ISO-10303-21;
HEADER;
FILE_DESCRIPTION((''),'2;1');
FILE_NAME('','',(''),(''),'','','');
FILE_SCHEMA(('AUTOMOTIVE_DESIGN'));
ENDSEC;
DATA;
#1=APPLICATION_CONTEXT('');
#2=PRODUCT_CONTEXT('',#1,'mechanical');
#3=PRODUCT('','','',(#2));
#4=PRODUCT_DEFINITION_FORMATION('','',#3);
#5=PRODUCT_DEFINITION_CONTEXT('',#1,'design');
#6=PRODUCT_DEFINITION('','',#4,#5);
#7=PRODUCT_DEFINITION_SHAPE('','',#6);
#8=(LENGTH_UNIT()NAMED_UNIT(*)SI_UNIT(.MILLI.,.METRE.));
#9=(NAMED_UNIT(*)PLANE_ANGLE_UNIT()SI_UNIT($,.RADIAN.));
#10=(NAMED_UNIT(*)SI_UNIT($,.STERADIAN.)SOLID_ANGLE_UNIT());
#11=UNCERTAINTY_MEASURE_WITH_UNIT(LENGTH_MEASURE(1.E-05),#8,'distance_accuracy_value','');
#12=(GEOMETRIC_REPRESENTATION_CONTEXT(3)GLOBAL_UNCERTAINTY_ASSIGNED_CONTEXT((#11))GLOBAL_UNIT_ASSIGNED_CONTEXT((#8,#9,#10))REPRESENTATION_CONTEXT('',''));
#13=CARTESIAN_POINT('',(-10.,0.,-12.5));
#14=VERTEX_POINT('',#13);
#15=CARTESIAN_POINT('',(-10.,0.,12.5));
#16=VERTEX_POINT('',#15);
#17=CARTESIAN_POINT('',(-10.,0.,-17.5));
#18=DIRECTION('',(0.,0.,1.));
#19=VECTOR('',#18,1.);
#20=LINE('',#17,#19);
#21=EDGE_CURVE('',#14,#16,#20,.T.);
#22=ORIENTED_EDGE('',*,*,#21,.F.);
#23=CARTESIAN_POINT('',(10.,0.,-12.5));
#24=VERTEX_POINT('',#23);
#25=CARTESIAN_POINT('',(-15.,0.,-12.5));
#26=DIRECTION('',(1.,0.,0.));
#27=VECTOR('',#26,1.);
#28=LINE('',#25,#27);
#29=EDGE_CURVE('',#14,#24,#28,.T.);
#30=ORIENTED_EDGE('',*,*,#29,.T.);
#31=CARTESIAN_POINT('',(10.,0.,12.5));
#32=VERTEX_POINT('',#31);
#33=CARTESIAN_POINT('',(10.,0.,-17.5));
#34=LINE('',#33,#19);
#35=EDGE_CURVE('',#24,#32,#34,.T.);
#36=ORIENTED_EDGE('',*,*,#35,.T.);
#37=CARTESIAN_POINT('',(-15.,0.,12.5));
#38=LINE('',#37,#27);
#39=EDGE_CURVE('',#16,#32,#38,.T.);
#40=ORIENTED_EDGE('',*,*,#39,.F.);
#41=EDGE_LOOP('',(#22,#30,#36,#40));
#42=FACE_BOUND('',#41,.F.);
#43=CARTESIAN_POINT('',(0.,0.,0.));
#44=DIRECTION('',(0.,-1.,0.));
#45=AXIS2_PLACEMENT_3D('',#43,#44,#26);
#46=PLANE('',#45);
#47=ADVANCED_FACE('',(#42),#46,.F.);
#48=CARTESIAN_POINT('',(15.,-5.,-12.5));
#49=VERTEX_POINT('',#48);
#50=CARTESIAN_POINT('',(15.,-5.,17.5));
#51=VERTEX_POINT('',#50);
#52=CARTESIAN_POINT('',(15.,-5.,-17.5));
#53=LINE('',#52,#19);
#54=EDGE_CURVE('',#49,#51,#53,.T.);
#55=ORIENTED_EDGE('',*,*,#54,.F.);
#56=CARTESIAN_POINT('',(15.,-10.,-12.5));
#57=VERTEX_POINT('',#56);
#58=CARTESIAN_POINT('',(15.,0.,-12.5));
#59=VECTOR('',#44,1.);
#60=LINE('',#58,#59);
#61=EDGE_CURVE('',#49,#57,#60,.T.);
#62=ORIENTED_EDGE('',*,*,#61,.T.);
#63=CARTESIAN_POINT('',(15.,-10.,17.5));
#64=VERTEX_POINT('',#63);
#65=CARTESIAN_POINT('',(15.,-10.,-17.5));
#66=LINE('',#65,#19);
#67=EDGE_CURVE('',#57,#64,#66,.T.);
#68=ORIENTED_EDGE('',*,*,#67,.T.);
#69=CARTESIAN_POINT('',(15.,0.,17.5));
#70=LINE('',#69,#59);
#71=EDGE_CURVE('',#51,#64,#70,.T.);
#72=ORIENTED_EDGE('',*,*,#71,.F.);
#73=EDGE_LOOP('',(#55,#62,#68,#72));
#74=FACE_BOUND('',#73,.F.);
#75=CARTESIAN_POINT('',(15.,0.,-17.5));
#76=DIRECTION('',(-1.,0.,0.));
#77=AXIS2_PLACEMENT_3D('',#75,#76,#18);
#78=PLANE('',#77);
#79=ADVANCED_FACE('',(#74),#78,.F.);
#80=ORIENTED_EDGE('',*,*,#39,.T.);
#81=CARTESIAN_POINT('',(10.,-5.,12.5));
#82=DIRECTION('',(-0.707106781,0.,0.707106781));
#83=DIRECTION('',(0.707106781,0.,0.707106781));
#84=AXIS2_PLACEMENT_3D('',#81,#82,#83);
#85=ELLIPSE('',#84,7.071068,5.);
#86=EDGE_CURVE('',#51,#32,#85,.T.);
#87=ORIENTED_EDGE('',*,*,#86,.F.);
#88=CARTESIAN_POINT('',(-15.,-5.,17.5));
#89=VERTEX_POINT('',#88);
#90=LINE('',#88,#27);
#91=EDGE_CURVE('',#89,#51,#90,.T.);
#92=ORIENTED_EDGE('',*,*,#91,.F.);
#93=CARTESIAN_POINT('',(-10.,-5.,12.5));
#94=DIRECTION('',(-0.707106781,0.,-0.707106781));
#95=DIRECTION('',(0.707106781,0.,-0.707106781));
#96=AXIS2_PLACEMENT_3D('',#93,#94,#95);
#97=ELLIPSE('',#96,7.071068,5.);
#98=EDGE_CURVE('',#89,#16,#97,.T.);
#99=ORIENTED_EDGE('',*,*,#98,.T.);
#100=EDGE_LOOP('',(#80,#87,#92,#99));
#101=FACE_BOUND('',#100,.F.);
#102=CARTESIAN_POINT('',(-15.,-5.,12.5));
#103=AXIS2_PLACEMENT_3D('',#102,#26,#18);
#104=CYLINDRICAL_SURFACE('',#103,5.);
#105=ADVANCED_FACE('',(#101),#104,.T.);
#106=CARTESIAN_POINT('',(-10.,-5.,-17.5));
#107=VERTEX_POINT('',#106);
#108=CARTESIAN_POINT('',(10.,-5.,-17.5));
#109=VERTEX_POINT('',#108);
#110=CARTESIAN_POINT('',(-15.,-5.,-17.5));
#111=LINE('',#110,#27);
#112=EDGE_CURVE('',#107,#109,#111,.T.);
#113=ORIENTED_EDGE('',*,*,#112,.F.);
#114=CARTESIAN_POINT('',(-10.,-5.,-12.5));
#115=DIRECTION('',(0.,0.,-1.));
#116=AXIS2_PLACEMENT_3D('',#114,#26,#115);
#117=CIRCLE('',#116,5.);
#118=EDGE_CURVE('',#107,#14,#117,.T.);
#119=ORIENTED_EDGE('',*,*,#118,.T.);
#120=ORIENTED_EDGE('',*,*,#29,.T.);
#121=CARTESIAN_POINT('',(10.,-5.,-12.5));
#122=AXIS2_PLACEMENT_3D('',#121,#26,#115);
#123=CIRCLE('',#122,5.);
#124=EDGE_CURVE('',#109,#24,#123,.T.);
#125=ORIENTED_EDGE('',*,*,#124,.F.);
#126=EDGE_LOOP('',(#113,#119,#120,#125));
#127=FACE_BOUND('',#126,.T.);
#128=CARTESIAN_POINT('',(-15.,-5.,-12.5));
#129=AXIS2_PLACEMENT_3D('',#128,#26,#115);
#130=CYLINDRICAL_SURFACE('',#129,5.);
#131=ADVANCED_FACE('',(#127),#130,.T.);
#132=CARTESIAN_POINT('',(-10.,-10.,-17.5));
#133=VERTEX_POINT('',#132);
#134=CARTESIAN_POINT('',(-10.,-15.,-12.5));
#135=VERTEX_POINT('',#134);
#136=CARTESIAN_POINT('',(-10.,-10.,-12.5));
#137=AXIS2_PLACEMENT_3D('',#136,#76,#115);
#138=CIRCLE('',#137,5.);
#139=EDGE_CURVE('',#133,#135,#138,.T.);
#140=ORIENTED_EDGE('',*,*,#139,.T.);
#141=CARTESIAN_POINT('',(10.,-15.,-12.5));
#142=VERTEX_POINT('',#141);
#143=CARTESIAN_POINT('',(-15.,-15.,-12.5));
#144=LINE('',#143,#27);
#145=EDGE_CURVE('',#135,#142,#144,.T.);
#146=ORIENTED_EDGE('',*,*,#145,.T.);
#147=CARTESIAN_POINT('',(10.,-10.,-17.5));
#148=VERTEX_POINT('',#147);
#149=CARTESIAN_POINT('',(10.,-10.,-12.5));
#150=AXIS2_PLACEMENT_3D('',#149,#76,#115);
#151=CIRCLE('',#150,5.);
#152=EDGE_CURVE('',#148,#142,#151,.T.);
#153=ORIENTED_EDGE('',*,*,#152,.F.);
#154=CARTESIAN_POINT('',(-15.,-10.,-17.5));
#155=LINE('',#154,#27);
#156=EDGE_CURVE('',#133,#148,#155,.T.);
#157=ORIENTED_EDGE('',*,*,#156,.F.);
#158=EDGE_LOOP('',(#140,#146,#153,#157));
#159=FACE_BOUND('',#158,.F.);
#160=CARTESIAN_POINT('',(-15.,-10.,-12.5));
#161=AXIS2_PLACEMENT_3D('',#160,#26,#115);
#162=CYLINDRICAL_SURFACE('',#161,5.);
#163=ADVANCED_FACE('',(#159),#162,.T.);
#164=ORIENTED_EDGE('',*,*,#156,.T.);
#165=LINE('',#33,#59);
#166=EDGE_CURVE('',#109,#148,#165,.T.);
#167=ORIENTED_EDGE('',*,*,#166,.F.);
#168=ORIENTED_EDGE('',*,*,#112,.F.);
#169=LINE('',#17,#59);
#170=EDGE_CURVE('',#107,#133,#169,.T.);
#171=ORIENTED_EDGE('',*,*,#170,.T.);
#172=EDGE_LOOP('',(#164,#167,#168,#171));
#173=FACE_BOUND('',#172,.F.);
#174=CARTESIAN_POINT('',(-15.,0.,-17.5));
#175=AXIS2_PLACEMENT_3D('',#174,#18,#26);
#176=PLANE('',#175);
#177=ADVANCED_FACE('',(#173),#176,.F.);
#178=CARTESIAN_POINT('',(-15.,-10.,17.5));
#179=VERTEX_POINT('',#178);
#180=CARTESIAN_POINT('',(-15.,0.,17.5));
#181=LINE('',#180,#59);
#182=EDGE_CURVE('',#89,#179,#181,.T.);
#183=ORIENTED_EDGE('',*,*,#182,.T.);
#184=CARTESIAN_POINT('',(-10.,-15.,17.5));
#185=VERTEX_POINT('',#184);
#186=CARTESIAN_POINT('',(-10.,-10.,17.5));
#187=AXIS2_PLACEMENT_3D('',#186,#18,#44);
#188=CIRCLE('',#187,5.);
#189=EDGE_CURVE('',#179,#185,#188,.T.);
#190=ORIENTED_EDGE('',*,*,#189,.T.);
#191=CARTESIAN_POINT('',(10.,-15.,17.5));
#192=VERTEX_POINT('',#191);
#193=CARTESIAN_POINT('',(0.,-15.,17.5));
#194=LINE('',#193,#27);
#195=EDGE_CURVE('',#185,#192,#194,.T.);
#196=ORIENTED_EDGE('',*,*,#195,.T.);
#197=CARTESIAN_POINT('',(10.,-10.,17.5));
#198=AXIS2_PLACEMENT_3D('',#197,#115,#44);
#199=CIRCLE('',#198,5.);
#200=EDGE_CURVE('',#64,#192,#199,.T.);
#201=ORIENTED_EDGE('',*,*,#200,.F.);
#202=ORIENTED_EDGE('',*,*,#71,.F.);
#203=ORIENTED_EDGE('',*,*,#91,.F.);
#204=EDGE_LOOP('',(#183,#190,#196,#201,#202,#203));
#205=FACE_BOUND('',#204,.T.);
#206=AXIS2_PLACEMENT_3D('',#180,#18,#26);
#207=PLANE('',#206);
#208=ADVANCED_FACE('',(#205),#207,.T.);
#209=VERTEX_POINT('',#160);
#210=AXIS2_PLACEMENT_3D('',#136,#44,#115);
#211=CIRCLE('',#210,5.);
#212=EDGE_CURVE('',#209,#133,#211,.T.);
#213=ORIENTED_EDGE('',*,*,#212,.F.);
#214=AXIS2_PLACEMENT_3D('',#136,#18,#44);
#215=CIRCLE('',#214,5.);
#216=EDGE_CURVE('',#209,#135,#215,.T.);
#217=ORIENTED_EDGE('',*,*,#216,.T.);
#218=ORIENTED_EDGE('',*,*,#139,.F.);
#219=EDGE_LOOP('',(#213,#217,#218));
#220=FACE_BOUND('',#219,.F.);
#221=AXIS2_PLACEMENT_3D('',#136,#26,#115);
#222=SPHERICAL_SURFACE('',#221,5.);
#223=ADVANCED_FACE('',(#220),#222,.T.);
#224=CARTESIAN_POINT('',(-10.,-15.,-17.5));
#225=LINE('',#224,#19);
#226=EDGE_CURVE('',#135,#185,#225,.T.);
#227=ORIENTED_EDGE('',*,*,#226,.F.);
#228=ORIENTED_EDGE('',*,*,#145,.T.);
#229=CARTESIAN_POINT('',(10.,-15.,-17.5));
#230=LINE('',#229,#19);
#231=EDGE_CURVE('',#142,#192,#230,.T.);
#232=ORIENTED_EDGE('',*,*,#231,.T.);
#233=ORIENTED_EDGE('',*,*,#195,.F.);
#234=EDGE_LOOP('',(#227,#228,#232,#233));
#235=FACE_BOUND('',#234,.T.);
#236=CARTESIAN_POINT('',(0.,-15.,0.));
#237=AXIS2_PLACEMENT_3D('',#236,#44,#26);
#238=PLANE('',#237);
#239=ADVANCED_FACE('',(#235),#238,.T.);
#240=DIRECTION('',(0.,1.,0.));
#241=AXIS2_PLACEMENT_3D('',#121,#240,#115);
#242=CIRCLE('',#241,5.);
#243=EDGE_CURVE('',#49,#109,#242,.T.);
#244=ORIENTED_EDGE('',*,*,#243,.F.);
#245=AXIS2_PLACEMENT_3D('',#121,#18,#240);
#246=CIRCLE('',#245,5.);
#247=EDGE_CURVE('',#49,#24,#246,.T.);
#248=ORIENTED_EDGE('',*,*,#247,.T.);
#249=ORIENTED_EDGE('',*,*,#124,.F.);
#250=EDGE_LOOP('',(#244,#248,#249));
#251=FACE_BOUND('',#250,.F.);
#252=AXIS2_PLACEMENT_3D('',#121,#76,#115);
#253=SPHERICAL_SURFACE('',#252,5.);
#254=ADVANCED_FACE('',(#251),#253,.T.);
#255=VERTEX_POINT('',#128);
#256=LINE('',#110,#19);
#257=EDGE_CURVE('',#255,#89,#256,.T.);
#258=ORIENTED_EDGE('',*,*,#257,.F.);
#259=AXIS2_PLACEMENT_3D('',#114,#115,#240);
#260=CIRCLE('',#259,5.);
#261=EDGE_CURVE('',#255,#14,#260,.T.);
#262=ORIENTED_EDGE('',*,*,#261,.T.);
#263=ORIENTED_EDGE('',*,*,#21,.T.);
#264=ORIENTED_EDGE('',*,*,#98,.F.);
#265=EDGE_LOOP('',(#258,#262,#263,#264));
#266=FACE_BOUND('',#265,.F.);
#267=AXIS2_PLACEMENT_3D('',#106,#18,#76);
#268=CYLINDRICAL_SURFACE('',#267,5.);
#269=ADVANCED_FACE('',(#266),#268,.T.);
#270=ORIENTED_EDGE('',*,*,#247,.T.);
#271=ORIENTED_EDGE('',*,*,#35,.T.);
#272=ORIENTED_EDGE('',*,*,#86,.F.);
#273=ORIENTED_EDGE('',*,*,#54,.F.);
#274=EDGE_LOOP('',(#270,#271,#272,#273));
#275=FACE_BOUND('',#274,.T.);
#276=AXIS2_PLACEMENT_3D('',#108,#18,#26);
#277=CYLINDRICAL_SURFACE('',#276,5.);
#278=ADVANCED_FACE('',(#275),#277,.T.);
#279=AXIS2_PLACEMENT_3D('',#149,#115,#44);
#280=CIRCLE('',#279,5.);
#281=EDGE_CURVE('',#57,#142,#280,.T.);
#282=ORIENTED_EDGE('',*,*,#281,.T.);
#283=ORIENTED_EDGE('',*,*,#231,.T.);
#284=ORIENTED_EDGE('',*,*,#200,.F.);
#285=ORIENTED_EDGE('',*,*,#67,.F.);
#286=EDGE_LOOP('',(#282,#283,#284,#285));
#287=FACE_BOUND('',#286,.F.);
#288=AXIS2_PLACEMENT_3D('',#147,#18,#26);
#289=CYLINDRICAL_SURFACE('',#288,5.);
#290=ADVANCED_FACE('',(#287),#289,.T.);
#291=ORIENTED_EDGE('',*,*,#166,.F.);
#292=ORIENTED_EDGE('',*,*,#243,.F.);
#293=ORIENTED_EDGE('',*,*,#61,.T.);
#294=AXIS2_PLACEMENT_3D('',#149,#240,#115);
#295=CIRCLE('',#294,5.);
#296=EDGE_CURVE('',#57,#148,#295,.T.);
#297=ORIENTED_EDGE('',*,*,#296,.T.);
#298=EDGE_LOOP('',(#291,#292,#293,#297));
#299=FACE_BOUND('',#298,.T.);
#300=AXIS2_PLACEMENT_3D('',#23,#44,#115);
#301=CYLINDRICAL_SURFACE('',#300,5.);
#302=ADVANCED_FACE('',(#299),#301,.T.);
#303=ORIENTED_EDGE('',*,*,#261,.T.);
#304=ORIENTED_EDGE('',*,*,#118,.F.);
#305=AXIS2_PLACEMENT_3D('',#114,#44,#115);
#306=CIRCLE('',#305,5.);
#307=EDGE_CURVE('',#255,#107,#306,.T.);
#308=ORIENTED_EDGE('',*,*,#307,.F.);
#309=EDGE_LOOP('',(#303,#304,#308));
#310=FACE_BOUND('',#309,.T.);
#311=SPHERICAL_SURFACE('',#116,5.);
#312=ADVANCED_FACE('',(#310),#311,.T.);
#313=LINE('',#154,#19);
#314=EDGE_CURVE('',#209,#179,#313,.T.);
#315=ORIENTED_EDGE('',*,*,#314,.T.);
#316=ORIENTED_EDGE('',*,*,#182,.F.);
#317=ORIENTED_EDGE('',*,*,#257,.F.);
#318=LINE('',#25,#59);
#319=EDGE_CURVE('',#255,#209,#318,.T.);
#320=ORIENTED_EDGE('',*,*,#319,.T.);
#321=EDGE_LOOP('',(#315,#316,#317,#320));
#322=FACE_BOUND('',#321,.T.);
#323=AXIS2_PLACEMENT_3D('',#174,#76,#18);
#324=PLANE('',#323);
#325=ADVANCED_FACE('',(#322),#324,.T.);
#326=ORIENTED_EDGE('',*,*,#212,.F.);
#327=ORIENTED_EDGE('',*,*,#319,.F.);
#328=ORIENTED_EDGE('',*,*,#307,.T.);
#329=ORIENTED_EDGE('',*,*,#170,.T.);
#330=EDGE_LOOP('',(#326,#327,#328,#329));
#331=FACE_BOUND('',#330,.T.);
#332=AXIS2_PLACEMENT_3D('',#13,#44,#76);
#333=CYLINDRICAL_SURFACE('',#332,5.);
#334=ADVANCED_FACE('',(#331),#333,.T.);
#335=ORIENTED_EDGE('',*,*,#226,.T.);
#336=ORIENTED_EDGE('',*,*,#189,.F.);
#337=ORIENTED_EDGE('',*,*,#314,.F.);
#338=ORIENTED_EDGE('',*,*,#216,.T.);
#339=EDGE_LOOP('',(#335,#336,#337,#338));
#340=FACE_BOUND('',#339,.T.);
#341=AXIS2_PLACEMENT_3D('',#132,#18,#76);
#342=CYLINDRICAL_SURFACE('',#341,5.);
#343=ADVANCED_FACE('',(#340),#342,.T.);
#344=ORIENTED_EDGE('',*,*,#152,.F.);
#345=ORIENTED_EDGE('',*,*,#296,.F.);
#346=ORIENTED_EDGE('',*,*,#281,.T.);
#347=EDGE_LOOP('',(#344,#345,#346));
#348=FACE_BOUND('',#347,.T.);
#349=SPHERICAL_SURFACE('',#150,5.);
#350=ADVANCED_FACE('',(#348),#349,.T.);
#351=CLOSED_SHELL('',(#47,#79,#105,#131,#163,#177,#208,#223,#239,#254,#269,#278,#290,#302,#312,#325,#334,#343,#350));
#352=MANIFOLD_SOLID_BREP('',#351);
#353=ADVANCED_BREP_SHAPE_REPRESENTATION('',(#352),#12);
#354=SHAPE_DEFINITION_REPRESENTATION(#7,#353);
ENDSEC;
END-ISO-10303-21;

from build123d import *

# Parameters (mm, degrees)
F0_W     = 30
F0_H     = 35
F1_DEPTH = 15
F2_R     = 5


with BuildPart() as f1:
    # F0 (on Front) → F1 (new body)
    with BuildSketch(Plane.XZ):
        Rectangle(F0_W, F0_H)
    extrude(amount=F1_DEPTH)

    # F2
    f2_edges = [f1.edges().sort_by_distance(p)[0] for p in [
        (0, -15, -17.5),
        (0, 0, -17.5),
        (-15, -7.5, -17.5),
        (15, -7.5, -17.5),
        (15, -15, 0),
        (-15, -15, 0),
        (15, 0, 0),
        (0, 0, 17.5),
        (-15, 0, 0),
    ]]
    fillet(f2_edges, radius=F2_R)


solid = f1.part
